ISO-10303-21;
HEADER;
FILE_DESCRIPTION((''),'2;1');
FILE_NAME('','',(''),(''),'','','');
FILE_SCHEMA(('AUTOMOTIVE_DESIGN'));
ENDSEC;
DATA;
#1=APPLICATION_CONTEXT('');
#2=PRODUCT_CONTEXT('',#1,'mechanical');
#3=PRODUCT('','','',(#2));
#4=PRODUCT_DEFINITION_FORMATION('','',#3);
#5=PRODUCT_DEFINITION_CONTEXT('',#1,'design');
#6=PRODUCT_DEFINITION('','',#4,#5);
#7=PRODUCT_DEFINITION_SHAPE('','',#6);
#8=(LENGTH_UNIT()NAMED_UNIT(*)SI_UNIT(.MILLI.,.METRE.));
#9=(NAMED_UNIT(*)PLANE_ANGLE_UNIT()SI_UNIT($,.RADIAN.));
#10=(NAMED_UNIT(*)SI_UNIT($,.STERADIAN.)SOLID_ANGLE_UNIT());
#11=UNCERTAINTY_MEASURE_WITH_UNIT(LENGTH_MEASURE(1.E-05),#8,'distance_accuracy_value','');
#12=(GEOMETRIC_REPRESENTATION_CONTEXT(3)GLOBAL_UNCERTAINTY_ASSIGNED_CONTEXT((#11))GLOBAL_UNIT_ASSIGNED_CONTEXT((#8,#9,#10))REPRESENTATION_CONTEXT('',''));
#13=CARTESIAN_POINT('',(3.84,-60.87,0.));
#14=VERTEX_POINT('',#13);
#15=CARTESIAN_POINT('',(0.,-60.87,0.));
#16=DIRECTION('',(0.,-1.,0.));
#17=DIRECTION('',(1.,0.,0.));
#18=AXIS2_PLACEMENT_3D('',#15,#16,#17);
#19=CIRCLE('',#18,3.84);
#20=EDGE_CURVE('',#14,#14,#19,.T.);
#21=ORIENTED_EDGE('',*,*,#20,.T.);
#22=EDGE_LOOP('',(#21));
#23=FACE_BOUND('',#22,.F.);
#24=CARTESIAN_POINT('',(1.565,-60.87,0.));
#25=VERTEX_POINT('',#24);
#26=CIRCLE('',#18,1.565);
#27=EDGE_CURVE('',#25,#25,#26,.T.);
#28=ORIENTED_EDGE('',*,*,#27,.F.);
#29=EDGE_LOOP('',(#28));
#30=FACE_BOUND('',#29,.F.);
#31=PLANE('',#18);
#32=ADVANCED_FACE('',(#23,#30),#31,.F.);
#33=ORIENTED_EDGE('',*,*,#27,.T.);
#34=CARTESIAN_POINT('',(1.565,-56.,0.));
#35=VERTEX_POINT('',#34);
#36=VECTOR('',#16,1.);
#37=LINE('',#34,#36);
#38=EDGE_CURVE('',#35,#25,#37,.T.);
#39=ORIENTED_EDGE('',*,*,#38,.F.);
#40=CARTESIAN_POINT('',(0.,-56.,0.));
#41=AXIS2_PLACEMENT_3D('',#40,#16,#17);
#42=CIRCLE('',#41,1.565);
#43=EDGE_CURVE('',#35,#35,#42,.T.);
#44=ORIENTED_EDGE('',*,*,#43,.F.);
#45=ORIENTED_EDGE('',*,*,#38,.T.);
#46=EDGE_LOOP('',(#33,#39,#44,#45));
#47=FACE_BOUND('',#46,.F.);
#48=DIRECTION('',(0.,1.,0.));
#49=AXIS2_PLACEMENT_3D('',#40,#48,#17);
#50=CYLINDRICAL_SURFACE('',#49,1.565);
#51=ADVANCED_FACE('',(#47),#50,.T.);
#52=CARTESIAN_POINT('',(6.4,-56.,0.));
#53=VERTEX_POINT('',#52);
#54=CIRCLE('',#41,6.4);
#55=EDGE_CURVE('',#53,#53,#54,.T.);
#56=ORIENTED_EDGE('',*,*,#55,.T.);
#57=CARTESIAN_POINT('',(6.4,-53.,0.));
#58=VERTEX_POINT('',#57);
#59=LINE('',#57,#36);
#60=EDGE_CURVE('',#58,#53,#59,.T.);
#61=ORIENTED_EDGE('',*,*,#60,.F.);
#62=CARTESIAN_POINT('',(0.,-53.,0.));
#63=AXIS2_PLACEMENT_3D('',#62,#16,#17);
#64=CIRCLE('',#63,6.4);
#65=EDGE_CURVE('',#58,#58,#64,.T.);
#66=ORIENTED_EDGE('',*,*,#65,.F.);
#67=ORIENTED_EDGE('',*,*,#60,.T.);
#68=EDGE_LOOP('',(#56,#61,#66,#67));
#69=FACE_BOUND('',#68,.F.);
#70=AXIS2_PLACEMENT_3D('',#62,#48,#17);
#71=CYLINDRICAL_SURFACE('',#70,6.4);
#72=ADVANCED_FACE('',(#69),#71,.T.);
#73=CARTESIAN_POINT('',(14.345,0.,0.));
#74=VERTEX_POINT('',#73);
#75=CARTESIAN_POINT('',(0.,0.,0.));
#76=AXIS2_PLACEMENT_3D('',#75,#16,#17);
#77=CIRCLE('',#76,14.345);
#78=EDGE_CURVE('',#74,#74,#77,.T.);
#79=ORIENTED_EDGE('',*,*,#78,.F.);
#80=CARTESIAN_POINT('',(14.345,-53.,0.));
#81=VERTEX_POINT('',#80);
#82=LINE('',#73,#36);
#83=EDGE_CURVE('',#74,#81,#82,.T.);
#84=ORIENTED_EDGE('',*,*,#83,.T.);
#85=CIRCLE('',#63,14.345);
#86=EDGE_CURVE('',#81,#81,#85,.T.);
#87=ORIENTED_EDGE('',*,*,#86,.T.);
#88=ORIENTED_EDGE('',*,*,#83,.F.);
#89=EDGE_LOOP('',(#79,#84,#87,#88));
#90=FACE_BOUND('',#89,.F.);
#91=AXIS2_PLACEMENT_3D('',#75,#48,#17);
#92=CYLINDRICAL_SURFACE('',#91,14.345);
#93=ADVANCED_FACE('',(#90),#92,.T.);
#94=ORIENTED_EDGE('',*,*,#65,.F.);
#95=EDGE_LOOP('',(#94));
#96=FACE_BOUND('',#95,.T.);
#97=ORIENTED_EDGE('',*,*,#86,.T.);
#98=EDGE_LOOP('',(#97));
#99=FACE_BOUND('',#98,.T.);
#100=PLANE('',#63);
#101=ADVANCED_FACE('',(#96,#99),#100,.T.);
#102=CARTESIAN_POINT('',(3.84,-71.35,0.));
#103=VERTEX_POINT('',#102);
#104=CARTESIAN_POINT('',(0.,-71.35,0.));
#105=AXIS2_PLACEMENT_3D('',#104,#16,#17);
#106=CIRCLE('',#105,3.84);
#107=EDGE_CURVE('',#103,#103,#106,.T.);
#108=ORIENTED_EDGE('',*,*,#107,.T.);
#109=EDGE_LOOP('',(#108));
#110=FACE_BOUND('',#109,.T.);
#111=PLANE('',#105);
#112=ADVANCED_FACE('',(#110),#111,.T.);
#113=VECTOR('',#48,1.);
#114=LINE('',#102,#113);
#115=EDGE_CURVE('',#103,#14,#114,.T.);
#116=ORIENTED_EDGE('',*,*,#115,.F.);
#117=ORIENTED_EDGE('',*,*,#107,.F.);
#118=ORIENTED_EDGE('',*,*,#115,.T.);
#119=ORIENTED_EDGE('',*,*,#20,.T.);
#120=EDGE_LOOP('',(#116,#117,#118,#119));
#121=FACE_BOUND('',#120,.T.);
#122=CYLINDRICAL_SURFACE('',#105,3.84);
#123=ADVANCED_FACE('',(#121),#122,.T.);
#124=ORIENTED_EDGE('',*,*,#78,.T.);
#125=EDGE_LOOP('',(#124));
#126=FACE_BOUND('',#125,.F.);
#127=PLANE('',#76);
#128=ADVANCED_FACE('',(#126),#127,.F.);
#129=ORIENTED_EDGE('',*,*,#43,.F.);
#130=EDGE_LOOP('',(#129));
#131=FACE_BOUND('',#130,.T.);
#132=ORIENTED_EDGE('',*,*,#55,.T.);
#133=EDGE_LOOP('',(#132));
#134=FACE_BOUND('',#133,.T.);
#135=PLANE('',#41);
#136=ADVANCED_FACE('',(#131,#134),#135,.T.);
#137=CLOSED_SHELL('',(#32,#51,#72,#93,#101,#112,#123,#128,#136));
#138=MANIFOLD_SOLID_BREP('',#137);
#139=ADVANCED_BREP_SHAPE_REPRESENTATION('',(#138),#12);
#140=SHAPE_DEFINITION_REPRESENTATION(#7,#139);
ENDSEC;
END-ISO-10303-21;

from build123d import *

# Parameters (mm, degrees)
F0_R     = 14.345
F1_DEPTH = 53
F2_R     = 6.4
F3_DEPTH = 3
F4_R     = 1.565
F5_DEPTH = 15.35
F6_R     = 3.84
F6_R_2   = 1.565
F7_DEPTH = 10.48


with BuildPart() as f1:
    # F0 (on Front) → F1 (new body)
    with BuildSketch(Plane.XZ):
        Circle(F0_R)
    extrude(amount=F1_DEPTH)

    # F2 (on face) → F3 (join)
    with BuildSketch(Plane.XZ.offset(53)):
        Circle(F2_R)
    extrude(amount=F3_DEPTH)

    # F4 (on face) → F5 (join)
    with BuildSketch(Plane.XZ.offset(56)):
        Circle(F4_R)
    extrude(amount=F5_DEPTH)

    # F6 (on face) → F7 (join)
    with BuildSketch(Plane.XZ.offset(71.35)):
        Circle(F6_R)
        Circle(F6_R_2, mode=Mode.SUBTRACT)
    extrude(amount=-F7_DEPTH)


solid = f1.part
